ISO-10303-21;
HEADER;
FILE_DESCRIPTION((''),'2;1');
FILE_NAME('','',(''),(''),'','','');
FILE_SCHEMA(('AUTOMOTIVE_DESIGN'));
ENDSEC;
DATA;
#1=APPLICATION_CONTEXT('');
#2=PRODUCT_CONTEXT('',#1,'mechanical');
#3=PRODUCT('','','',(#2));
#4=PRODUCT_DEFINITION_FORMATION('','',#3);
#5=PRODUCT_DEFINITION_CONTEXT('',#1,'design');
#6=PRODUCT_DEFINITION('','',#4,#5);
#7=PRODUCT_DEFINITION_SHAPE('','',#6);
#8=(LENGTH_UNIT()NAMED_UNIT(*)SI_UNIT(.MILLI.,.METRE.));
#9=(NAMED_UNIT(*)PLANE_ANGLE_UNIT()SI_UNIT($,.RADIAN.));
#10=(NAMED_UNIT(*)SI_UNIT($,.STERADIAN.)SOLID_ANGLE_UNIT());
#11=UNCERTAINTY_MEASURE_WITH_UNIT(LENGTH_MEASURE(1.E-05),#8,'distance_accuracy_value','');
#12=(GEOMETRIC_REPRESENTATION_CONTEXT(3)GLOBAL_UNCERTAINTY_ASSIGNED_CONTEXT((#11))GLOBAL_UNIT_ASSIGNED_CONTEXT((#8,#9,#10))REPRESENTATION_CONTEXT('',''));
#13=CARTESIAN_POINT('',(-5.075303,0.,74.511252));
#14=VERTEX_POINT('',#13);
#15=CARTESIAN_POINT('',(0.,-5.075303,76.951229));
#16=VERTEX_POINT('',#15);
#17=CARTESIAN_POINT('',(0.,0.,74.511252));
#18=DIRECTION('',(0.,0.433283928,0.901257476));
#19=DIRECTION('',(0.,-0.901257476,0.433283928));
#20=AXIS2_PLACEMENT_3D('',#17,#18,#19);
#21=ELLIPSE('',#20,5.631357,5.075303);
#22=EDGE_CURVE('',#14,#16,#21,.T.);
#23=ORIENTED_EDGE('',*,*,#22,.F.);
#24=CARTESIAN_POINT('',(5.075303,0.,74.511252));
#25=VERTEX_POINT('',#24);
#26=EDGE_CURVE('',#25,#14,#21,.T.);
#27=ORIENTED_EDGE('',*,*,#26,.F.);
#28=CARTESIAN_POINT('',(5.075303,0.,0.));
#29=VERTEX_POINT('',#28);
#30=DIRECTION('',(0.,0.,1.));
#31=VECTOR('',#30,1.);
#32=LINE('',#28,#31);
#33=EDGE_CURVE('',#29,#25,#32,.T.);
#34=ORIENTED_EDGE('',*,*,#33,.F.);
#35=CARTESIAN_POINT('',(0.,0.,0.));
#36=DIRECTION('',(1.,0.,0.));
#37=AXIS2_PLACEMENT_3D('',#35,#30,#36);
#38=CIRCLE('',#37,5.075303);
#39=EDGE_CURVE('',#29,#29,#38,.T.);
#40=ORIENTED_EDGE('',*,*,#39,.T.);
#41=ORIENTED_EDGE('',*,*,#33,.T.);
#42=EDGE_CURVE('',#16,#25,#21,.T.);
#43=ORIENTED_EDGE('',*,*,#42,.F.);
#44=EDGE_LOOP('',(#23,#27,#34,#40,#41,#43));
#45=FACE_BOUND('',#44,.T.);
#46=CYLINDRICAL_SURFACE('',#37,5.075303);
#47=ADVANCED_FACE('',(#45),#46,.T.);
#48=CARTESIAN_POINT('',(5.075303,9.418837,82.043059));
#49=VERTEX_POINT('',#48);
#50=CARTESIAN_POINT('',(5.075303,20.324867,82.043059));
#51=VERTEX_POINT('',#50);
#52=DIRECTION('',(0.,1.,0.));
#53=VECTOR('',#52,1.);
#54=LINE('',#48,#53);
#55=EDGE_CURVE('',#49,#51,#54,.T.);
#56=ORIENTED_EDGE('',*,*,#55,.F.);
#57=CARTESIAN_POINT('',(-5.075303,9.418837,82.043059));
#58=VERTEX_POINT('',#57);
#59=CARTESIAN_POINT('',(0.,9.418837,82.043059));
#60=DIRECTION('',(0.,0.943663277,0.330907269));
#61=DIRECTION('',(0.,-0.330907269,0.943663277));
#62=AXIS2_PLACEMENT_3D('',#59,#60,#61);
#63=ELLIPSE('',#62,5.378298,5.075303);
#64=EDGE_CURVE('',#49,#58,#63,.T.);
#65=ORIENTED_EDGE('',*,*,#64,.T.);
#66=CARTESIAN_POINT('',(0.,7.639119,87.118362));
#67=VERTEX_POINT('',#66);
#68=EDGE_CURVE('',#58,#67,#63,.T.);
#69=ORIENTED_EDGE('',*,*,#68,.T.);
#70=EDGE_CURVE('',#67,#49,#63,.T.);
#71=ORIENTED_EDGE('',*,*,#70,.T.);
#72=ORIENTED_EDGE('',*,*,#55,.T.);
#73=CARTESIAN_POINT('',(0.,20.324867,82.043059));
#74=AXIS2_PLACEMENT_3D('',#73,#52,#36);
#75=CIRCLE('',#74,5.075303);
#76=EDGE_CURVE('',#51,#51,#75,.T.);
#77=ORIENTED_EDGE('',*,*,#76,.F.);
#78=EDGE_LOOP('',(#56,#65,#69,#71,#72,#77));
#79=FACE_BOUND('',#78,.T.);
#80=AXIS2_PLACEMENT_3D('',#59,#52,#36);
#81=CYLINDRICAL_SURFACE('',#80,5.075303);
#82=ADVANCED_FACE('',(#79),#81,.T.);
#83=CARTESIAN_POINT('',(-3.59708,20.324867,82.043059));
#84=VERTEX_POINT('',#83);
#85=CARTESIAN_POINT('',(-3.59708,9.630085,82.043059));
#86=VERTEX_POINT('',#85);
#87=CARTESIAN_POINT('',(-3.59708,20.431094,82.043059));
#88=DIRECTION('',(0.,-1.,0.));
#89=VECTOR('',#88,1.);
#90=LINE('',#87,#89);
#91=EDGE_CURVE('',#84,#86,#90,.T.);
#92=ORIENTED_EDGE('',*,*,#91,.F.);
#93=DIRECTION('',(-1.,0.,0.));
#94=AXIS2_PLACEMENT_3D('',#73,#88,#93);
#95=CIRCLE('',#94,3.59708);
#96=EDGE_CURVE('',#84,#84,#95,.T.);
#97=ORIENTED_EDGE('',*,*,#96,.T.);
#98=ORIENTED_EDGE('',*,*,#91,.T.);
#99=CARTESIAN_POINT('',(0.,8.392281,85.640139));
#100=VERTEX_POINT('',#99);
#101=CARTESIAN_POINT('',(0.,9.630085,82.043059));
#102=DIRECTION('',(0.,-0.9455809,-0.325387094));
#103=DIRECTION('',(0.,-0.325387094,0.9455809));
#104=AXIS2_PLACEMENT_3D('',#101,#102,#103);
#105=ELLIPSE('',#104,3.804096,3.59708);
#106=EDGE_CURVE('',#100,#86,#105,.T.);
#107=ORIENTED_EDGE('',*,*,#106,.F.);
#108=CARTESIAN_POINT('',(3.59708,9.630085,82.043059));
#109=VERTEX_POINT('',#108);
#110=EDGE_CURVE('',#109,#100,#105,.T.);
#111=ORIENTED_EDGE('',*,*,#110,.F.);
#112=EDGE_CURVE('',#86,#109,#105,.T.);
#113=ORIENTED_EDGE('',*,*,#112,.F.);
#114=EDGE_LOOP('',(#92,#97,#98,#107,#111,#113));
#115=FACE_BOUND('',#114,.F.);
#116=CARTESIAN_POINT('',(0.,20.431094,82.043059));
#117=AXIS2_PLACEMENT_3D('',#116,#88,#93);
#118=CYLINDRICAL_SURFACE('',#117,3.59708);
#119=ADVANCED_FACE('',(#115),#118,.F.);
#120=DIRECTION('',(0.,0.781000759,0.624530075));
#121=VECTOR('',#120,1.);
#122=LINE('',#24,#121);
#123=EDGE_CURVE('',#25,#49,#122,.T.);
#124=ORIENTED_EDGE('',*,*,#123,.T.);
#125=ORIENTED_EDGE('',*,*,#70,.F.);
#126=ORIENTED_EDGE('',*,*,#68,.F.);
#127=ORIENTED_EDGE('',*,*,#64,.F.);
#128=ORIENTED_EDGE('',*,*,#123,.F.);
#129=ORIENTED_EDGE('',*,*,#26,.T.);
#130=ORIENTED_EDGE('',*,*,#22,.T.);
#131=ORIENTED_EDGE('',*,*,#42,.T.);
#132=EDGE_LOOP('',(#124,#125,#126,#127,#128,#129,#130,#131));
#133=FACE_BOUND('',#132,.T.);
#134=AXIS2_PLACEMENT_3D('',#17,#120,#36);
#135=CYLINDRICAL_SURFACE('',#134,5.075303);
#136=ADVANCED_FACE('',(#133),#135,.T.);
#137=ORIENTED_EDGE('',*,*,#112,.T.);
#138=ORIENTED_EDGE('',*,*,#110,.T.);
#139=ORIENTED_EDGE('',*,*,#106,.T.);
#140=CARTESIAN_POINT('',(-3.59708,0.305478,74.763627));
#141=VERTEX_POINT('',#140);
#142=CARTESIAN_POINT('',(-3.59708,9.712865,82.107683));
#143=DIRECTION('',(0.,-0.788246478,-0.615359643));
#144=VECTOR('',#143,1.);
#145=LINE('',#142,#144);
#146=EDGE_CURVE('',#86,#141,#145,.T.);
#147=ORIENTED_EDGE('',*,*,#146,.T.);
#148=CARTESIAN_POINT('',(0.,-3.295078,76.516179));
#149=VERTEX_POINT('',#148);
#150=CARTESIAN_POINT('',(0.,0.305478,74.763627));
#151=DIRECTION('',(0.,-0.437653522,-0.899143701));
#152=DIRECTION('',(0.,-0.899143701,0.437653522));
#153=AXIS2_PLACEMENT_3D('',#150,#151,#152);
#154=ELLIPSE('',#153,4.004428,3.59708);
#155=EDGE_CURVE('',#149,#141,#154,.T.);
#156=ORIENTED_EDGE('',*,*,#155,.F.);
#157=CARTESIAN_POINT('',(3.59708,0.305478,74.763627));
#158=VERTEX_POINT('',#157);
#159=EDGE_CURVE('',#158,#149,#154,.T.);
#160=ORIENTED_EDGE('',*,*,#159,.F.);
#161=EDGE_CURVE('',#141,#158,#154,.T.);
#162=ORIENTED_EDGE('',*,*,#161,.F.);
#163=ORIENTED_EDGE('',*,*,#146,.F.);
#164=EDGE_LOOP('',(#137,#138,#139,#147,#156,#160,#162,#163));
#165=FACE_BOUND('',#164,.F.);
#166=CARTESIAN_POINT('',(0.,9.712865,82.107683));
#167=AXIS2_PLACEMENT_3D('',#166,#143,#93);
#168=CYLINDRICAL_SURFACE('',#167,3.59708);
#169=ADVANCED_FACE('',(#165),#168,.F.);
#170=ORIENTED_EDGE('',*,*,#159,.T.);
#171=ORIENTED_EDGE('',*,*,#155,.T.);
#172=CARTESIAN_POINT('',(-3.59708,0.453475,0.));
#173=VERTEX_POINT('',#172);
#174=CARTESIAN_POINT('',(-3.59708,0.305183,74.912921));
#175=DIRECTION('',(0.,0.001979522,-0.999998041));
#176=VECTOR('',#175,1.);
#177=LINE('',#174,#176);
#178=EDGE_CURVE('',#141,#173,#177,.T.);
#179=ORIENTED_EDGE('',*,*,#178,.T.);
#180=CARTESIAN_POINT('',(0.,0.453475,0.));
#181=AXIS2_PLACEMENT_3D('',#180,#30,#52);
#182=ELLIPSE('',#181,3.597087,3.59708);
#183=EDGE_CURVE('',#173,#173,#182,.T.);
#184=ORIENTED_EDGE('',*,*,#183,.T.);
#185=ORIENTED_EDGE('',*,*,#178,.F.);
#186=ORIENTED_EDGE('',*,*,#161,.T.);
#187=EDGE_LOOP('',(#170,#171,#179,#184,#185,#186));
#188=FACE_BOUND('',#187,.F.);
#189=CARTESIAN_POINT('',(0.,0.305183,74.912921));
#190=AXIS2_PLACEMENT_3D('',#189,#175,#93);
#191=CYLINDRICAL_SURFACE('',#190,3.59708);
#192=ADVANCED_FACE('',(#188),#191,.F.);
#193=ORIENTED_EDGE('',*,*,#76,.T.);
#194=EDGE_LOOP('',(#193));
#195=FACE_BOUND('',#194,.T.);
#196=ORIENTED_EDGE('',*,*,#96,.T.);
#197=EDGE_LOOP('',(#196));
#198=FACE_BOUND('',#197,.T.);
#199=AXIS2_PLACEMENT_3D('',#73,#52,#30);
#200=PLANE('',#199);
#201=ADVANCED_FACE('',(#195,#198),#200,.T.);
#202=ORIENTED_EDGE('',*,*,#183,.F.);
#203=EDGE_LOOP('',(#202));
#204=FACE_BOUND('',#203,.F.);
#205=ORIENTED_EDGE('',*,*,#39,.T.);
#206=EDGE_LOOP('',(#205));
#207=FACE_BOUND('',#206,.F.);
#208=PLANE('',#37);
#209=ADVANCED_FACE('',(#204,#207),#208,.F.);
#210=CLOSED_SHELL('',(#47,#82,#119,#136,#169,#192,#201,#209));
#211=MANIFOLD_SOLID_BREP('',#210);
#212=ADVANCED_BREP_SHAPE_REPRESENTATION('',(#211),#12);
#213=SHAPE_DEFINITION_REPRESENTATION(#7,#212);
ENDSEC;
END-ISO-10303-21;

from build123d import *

# Parameters (mm, degrees)
F0_R = 5.0753027222
F3_R = 3.5970801713


with BuildPart() as f2:
    # F2: sweep along a path in F1
    with BuildLine(Plane.YZ) as f2_path:
        Line((0, 0), (0, 74.5112523437))
        Line((0, 74.5112523437), (9.4188367948, 82.0430591702))
        Line((9.4188367948, 82.0430591702), (20.3248672187, 82.0430591702))
    # F0 (on Top) → F2 (sweep)
    with BuildSketch(Plane.XY):
        Circle(F0_R)
    sweep(path=f2_path.line, transition=Transition.RIGHT)

    # F5: sweep along a path in F4
    with BuildLine(Plane.YZ) as f5_path:
        Line((20.4310938716, 82.3482424021), (9.5250671729, 82.3482424021))
        Line((9.5250671729, 82.3482424021), (0, 74.9123170972))
        Line((0, 74.9123170972), (0.1488290582, -0.2718660398))
    # F3 (on face) → F5 (sweep, cut)
    with BuildSketch(Plane(origin=(0, 20.3248672187, 0), x_dir=(-1, 0, 0), z_dir=(0, 1, 0))):
        with Locations((0, 82.0430591702)):
            Circle(F3_R)
    sweep(path=f5_path.line, transition=Transition.RIGHT, mode=Mode.SUBTRACT)


solid = f2.part
